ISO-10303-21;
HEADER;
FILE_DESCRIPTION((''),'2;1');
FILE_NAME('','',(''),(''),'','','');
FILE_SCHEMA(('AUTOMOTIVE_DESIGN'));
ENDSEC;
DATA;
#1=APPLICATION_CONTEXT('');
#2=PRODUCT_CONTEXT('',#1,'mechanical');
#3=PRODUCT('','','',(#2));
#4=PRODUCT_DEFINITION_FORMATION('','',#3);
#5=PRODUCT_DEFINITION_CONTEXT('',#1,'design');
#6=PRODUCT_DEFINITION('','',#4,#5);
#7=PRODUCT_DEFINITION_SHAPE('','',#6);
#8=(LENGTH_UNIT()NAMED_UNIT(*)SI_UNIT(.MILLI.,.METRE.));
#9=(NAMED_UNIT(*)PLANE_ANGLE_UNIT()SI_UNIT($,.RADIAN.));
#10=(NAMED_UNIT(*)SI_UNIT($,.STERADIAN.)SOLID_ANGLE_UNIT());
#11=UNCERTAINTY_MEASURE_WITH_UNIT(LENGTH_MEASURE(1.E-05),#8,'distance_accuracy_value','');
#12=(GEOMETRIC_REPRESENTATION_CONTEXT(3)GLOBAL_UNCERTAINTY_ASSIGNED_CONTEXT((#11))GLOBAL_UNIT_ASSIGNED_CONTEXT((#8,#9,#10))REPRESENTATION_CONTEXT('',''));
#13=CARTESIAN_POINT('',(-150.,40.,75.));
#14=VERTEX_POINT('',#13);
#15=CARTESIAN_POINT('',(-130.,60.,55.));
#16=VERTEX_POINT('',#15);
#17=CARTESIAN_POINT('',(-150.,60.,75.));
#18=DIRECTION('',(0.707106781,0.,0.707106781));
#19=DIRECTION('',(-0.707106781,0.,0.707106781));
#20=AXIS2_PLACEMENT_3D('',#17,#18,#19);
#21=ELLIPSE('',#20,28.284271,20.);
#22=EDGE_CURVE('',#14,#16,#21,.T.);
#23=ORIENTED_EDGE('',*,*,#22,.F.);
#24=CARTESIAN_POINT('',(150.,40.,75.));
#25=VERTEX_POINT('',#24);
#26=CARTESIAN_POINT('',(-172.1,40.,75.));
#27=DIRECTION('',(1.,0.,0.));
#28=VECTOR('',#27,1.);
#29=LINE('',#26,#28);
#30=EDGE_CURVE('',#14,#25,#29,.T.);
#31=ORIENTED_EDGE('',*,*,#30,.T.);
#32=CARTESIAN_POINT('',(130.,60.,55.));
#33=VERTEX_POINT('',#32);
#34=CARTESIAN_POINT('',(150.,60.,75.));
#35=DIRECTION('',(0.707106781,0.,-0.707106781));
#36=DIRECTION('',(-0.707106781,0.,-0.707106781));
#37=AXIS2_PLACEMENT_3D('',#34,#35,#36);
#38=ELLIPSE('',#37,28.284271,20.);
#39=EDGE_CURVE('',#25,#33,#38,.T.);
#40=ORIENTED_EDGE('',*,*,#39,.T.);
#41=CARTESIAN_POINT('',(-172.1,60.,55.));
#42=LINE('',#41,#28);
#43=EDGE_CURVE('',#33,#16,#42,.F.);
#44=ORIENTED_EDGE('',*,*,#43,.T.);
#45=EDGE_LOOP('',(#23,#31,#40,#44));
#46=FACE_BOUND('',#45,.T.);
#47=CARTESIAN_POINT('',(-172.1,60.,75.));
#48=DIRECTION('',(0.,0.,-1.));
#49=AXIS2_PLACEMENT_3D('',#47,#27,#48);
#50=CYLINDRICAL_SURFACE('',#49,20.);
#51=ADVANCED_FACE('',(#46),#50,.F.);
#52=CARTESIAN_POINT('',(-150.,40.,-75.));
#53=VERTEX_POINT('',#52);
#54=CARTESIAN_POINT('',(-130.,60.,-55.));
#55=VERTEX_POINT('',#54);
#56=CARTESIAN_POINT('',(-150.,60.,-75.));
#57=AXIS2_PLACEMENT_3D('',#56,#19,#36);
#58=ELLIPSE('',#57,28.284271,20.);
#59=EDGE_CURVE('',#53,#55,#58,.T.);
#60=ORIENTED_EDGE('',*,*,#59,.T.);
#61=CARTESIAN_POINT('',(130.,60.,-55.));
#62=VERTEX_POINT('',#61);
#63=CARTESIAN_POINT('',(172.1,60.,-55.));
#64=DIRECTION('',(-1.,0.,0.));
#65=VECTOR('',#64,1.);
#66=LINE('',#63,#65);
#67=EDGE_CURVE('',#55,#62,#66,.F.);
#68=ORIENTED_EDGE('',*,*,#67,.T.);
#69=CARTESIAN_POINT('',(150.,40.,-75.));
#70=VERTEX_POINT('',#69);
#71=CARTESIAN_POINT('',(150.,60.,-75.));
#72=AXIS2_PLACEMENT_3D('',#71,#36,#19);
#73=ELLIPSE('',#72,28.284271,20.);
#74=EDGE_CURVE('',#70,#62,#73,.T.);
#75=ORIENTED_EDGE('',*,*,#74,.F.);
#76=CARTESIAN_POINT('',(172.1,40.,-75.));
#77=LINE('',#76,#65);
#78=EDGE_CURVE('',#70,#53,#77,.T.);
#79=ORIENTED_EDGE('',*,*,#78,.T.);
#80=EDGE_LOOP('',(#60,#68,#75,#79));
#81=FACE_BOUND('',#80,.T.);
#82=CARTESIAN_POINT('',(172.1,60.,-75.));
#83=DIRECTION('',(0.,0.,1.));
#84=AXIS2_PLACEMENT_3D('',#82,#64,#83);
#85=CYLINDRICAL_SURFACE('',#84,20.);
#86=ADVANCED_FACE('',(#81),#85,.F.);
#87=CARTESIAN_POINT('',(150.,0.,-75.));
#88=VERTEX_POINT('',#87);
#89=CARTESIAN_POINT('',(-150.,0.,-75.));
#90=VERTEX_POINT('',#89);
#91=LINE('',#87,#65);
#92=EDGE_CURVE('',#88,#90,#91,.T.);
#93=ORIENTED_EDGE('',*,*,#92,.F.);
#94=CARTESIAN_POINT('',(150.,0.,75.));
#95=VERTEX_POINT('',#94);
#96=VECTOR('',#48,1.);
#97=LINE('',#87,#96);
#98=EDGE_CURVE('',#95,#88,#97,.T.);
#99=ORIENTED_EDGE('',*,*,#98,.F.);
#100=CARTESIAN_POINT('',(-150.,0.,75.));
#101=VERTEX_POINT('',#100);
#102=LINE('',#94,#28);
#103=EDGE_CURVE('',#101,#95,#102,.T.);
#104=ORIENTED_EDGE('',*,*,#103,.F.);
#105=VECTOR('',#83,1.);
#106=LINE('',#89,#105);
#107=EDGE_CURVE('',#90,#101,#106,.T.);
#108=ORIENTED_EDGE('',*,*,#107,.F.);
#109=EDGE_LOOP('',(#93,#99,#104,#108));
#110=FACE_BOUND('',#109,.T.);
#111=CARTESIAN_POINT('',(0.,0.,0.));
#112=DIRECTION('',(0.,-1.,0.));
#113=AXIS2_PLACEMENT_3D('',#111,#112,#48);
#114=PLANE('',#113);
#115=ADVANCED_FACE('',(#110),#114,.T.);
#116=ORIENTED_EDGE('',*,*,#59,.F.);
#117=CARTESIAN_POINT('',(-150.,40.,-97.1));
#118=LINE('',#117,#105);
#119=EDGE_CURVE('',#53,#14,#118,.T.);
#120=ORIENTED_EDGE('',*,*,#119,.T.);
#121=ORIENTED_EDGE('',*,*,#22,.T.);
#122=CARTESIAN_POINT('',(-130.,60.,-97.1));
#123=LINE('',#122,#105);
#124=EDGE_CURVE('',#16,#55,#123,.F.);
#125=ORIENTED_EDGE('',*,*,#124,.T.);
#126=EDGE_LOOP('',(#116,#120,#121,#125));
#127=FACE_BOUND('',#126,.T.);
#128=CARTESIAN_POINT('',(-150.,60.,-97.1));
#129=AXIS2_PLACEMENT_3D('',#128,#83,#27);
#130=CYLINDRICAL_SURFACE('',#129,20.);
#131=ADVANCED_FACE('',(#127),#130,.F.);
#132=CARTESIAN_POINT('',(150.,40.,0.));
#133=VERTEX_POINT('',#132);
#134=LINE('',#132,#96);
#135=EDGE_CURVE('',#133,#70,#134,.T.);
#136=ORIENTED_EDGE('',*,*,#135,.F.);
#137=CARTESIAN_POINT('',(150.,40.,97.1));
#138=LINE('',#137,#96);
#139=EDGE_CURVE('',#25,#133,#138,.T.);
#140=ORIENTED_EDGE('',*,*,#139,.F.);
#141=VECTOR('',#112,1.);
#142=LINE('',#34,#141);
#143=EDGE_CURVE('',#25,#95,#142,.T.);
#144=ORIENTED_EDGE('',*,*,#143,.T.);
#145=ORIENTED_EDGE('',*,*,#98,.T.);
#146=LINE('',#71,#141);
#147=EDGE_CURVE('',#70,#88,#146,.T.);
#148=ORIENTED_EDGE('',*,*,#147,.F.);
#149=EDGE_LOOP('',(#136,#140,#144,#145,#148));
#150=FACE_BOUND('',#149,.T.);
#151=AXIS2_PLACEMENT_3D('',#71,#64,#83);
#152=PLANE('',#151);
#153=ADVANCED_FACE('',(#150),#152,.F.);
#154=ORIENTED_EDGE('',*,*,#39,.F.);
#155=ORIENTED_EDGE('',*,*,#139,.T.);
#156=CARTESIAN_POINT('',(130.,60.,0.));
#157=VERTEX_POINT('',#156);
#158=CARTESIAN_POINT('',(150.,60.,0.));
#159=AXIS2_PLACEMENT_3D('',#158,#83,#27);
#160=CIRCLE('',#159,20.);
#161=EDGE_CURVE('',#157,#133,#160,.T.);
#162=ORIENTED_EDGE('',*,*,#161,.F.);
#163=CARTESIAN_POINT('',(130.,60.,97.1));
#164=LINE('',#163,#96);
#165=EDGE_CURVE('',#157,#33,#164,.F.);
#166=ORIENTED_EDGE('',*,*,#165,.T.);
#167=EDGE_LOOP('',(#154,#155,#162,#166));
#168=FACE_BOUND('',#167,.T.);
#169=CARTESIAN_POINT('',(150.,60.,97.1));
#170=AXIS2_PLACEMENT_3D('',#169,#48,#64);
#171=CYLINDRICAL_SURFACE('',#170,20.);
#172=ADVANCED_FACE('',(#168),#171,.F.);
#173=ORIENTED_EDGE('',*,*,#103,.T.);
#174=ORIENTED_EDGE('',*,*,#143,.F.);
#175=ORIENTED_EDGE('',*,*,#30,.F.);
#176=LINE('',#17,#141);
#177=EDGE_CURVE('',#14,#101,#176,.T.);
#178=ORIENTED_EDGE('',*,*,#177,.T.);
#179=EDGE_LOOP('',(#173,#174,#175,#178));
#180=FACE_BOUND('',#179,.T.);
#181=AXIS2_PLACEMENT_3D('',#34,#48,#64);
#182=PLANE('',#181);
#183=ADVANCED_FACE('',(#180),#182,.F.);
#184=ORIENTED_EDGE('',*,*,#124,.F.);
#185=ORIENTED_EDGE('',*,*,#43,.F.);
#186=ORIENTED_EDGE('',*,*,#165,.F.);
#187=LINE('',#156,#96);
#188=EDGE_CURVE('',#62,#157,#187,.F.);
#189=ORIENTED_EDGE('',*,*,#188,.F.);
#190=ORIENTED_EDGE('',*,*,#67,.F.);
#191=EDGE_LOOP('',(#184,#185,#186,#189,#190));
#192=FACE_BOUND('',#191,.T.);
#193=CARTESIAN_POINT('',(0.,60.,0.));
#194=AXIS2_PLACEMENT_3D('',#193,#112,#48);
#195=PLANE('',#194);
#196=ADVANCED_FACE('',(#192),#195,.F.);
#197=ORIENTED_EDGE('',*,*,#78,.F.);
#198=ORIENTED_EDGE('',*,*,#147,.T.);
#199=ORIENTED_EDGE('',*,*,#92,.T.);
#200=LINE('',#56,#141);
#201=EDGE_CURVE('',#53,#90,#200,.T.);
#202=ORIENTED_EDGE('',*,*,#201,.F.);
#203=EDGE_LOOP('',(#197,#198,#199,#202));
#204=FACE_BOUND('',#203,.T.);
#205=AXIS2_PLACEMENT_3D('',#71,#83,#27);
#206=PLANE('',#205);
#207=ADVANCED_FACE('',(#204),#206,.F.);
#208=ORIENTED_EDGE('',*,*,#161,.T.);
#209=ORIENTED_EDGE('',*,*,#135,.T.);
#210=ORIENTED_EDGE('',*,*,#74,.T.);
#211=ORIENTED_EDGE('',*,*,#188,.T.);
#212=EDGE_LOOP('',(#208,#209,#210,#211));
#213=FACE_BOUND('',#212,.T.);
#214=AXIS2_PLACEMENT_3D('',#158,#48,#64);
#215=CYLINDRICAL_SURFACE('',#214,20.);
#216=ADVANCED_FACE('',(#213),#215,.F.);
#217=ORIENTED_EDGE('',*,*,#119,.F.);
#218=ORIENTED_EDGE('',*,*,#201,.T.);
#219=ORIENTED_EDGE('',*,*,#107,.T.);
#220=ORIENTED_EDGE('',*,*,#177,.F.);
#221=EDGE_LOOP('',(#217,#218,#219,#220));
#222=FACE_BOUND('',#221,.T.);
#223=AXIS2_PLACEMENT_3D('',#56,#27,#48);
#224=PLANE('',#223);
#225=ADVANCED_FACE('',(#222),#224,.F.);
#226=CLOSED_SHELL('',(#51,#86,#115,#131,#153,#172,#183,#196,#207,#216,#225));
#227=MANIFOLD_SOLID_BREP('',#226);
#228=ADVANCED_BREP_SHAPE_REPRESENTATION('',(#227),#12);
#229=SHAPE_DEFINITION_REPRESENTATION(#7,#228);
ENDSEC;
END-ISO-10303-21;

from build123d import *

# Parameters (mm, degrees)
SKETCH2_W           = 300
SKETCH2_H           = 150
BOSS_EXTRUDE1_DEPTH = 60
SKETCH3_R           = 20


with BuildPart() as part:
    # Sketch2 → Boss-Extrude1 (new body)
    with BuildSketch(Plane(origin=(0, 0, 0), x_dir=(1, 0, 0), z_dir=(0, 1, 0))):
        Rectangle(SKETCH2_W, SKETCH2_H)
    extrude(amount=BOSS_EXTRUDE1_DEPTH)

    # Cut-Sweep3: sweep along a path in Sketch4
    with BuildLine(Plane(origin=(0, 60, 0), x_dir=(1, 0, 0), z_dir=(0, 1, 0))) as cut_sweep3_path:
        Line((-150, 75), (-150, -75))
        Line((-150, -75), (150, -75))
        Line((150, -75), (150, 75))
        Line((150, 75), (-150, 75))
    # Sketch3 → Cut-Sweep3 (sweep, cut)
    with BuildSketch(Plane.XY):
        with Locations((150, 60)):
            Circle(SKETCH3_R)
    sweep(path=cut_sweep3_path.line, transition=Transition.RIGHT, mode=Mode.SUBTRACT)


solid = part.part
